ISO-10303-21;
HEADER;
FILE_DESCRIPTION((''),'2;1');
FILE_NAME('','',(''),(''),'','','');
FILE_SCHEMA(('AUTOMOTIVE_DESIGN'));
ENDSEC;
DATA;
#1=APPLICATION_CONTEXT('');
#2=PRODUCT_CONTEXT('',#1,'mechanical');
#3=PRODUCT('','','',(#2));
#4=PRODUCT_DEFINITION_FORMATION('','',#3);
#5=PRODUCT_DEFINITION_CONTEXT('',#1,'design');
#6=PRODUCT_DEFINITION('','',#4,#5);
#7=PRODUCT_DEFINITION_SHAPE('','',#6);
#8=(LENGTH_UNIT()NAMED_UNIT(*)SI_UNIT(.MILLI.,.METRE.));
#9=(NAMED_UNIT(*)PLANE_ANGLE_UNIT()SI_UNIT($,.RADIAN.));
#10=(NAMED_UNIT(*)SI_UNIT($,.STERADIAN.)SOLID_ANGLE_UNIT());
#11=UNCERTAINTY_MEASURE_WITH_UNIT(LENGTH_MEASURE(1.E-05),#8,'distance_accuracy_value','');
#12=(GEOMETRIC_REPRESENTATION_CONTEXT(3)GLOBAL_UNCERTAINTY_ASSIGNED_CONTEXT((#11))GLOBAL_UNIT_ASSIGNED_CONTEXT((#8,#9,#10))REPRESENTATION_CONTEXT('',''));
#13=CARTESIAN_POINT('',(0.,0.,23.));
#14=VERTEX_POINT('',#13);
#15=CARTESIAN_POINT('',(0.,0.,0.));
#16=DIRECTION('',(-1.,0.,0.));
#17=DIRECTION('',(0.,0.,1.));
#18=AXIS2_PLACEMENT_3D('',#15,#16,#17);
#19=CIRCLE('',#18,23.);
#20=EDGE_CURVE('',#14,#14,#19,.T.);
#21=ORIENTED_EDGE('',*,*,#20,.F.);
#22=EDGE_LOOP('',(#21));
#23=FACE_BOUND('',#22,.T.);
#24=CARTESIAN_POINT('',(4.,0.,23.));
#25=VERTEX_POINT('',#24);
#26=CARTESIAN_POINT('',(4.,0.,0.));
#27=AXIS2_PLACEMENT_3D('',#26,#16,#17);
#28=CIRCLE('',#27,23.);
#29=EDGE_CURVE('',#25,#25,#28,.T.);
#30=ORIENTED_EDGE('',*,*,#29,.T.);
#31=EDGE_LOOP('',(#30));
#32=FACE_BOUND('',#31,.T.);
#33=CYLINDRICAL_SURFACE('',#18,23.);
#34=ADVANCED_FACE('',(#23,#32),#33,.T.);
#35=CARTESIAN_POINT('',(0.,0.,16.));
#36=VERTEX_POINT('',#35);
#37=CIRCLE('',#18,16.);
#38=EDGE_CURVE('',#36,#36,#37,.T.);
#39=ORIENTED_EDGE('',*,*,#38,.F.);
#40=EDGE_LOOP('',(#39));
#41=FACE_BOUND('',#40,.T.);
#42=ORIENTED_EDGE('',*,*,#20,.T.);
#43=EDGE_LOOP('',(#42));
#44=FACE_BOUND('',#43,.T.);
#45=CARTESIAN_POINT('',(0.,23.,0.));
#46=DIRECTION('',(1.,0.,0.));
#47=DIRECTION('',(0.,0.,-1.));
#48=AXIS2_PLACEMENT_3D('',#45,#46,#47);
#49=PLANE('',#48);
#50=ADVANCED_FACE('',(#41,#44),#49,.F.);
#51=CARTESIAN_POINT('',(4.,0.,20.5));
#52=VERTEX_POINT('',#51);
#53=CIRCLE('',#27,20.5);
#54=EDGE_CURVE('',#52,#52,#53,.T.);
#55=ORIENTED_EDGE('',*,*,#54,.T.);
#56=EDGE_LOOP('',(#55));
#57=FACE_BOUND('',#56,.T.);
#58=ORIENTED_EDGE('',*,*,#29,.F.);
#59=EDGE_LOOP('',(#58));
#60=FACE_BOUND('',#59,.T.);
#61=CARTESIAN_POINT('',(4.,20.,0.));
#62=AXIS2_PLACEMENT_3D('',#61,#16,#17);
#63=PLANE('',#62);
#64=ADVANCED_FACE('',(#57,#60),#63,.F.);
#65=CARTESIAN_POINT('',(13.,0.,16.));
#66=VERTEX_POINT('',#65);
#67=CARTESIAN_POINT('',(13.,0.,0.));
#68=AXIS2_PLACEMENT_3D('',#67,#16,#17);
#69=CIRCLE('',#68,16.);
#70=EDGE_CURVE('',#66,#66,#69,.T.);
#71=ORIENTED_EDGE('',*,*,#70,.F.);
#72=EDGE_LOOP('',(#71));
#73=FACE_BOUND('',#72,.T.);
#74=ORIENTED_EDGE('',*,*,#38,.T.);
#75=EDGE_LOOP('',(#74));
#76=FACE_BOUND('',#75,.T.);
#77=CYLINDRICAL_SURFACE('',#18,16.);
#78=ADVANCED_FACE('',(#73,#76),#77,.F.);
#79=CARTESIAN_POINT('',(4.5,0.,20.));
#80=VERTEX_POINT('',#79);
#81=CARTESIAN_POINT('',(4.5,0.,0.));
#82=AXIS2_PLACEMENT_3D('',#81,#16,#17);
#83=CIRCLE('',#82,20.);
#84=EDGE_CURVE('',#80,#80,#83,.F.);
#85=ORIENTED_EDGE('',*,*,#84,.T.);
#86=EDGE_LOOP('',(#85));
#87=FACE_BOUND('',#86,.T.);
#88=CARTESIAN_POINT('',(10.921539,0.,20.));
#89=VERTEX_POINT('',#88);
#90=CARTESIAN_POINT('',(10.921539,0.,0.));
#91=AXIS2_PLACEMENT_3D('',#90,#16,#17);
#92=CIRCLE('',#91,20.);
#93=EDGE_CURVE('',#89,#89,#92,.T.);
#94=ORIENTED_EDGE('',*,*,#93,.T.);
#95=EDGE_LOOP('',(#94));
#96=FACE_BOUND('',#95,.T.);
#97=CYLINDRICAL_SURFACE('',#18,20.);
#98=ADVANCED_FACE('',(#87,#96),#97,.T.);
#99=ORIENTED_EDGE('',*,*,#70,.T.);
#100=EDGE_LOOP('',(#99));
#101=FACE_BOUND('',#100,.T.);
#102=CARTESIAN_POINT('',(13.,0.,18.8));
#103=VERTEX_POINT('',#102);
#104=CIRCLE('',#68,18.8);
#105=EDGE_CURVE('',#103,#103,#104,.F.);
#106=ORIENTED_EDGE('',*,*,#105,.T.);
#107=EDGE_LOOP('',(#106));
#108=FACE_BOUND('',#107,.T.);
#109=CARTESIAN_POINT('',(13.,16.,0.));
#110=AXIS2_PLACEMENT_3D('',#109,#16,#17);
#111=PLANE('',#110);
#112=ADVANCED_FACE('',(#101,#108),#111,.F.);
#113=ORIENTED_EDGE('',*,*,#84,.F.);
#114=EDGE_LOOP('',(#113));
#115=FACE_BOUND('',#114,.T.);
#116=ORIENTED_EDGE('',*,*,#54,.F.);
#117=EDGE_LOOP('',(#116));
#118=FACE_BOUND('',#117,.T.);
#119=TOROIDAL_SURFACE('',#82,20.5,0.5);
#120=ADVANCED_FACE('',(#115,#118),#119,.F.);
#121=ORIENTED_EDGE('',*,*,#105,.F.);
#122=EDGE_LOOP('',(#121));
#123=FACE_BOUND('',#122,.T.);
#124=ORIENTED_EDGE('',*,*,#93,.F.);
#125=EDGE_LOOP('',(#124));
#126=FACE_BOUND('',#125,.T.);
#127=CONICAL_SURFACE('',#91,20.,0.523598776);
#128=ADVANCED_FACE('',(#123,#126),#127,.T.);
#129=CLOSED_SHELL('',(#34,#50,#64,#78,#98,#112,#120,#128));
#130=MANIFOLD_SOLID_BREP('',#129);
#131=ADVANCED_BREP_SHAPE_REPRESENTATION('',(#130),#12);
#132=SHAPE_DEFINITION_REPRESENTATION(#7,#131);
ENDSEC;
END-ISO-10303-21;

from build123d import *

# Parameters (mm, degrees)
FILLET1_R      = 0.5
CHAMFER1_SIZE  = 1.2
CHAMFER1_SIZE2 = 2.078460969


with BuildPart() as part:
    # Sketch1 → Revolve1 (revolve)
    with BuildSketch(Plane.XY, mode=Mode.PRIVATE) as revolve1_sk:
        Polygon((0, 16), (13, 16), (13, 20), (4, 20), (4, 23), (0, 23), align=None)
    revolve(revolve1_sk.sketch.rotate(Axis((0, 0, 0), (1, 0, 0)), 90), axis=Axis((0, 0, 0), (1, 0, 0)))

    # Fillet1
    fillet1_edges = [part.edges().sort_by_distance(p)[0] for p in [
        (4, 0, -20),
    ]]
    fillet(fillet1_edges, radius=FILLET1_R)

    # Chamfer1
    chamfer1_edges = [part.edges().sort_by_distance(p)[0] for p in [
        (13, 0, -20),
    ]]
    chamfer1_side = [part.faces().sort_by_distance(p)[0] for p in [
        (13, 0, -16.565685425),
    ]]
    chamfer(chamfer1_edges, length=CHAMFER1_SIZE, length2=CHAMFER1_SIZE2, reference=chamfer1_side[0])


solid = part.part
